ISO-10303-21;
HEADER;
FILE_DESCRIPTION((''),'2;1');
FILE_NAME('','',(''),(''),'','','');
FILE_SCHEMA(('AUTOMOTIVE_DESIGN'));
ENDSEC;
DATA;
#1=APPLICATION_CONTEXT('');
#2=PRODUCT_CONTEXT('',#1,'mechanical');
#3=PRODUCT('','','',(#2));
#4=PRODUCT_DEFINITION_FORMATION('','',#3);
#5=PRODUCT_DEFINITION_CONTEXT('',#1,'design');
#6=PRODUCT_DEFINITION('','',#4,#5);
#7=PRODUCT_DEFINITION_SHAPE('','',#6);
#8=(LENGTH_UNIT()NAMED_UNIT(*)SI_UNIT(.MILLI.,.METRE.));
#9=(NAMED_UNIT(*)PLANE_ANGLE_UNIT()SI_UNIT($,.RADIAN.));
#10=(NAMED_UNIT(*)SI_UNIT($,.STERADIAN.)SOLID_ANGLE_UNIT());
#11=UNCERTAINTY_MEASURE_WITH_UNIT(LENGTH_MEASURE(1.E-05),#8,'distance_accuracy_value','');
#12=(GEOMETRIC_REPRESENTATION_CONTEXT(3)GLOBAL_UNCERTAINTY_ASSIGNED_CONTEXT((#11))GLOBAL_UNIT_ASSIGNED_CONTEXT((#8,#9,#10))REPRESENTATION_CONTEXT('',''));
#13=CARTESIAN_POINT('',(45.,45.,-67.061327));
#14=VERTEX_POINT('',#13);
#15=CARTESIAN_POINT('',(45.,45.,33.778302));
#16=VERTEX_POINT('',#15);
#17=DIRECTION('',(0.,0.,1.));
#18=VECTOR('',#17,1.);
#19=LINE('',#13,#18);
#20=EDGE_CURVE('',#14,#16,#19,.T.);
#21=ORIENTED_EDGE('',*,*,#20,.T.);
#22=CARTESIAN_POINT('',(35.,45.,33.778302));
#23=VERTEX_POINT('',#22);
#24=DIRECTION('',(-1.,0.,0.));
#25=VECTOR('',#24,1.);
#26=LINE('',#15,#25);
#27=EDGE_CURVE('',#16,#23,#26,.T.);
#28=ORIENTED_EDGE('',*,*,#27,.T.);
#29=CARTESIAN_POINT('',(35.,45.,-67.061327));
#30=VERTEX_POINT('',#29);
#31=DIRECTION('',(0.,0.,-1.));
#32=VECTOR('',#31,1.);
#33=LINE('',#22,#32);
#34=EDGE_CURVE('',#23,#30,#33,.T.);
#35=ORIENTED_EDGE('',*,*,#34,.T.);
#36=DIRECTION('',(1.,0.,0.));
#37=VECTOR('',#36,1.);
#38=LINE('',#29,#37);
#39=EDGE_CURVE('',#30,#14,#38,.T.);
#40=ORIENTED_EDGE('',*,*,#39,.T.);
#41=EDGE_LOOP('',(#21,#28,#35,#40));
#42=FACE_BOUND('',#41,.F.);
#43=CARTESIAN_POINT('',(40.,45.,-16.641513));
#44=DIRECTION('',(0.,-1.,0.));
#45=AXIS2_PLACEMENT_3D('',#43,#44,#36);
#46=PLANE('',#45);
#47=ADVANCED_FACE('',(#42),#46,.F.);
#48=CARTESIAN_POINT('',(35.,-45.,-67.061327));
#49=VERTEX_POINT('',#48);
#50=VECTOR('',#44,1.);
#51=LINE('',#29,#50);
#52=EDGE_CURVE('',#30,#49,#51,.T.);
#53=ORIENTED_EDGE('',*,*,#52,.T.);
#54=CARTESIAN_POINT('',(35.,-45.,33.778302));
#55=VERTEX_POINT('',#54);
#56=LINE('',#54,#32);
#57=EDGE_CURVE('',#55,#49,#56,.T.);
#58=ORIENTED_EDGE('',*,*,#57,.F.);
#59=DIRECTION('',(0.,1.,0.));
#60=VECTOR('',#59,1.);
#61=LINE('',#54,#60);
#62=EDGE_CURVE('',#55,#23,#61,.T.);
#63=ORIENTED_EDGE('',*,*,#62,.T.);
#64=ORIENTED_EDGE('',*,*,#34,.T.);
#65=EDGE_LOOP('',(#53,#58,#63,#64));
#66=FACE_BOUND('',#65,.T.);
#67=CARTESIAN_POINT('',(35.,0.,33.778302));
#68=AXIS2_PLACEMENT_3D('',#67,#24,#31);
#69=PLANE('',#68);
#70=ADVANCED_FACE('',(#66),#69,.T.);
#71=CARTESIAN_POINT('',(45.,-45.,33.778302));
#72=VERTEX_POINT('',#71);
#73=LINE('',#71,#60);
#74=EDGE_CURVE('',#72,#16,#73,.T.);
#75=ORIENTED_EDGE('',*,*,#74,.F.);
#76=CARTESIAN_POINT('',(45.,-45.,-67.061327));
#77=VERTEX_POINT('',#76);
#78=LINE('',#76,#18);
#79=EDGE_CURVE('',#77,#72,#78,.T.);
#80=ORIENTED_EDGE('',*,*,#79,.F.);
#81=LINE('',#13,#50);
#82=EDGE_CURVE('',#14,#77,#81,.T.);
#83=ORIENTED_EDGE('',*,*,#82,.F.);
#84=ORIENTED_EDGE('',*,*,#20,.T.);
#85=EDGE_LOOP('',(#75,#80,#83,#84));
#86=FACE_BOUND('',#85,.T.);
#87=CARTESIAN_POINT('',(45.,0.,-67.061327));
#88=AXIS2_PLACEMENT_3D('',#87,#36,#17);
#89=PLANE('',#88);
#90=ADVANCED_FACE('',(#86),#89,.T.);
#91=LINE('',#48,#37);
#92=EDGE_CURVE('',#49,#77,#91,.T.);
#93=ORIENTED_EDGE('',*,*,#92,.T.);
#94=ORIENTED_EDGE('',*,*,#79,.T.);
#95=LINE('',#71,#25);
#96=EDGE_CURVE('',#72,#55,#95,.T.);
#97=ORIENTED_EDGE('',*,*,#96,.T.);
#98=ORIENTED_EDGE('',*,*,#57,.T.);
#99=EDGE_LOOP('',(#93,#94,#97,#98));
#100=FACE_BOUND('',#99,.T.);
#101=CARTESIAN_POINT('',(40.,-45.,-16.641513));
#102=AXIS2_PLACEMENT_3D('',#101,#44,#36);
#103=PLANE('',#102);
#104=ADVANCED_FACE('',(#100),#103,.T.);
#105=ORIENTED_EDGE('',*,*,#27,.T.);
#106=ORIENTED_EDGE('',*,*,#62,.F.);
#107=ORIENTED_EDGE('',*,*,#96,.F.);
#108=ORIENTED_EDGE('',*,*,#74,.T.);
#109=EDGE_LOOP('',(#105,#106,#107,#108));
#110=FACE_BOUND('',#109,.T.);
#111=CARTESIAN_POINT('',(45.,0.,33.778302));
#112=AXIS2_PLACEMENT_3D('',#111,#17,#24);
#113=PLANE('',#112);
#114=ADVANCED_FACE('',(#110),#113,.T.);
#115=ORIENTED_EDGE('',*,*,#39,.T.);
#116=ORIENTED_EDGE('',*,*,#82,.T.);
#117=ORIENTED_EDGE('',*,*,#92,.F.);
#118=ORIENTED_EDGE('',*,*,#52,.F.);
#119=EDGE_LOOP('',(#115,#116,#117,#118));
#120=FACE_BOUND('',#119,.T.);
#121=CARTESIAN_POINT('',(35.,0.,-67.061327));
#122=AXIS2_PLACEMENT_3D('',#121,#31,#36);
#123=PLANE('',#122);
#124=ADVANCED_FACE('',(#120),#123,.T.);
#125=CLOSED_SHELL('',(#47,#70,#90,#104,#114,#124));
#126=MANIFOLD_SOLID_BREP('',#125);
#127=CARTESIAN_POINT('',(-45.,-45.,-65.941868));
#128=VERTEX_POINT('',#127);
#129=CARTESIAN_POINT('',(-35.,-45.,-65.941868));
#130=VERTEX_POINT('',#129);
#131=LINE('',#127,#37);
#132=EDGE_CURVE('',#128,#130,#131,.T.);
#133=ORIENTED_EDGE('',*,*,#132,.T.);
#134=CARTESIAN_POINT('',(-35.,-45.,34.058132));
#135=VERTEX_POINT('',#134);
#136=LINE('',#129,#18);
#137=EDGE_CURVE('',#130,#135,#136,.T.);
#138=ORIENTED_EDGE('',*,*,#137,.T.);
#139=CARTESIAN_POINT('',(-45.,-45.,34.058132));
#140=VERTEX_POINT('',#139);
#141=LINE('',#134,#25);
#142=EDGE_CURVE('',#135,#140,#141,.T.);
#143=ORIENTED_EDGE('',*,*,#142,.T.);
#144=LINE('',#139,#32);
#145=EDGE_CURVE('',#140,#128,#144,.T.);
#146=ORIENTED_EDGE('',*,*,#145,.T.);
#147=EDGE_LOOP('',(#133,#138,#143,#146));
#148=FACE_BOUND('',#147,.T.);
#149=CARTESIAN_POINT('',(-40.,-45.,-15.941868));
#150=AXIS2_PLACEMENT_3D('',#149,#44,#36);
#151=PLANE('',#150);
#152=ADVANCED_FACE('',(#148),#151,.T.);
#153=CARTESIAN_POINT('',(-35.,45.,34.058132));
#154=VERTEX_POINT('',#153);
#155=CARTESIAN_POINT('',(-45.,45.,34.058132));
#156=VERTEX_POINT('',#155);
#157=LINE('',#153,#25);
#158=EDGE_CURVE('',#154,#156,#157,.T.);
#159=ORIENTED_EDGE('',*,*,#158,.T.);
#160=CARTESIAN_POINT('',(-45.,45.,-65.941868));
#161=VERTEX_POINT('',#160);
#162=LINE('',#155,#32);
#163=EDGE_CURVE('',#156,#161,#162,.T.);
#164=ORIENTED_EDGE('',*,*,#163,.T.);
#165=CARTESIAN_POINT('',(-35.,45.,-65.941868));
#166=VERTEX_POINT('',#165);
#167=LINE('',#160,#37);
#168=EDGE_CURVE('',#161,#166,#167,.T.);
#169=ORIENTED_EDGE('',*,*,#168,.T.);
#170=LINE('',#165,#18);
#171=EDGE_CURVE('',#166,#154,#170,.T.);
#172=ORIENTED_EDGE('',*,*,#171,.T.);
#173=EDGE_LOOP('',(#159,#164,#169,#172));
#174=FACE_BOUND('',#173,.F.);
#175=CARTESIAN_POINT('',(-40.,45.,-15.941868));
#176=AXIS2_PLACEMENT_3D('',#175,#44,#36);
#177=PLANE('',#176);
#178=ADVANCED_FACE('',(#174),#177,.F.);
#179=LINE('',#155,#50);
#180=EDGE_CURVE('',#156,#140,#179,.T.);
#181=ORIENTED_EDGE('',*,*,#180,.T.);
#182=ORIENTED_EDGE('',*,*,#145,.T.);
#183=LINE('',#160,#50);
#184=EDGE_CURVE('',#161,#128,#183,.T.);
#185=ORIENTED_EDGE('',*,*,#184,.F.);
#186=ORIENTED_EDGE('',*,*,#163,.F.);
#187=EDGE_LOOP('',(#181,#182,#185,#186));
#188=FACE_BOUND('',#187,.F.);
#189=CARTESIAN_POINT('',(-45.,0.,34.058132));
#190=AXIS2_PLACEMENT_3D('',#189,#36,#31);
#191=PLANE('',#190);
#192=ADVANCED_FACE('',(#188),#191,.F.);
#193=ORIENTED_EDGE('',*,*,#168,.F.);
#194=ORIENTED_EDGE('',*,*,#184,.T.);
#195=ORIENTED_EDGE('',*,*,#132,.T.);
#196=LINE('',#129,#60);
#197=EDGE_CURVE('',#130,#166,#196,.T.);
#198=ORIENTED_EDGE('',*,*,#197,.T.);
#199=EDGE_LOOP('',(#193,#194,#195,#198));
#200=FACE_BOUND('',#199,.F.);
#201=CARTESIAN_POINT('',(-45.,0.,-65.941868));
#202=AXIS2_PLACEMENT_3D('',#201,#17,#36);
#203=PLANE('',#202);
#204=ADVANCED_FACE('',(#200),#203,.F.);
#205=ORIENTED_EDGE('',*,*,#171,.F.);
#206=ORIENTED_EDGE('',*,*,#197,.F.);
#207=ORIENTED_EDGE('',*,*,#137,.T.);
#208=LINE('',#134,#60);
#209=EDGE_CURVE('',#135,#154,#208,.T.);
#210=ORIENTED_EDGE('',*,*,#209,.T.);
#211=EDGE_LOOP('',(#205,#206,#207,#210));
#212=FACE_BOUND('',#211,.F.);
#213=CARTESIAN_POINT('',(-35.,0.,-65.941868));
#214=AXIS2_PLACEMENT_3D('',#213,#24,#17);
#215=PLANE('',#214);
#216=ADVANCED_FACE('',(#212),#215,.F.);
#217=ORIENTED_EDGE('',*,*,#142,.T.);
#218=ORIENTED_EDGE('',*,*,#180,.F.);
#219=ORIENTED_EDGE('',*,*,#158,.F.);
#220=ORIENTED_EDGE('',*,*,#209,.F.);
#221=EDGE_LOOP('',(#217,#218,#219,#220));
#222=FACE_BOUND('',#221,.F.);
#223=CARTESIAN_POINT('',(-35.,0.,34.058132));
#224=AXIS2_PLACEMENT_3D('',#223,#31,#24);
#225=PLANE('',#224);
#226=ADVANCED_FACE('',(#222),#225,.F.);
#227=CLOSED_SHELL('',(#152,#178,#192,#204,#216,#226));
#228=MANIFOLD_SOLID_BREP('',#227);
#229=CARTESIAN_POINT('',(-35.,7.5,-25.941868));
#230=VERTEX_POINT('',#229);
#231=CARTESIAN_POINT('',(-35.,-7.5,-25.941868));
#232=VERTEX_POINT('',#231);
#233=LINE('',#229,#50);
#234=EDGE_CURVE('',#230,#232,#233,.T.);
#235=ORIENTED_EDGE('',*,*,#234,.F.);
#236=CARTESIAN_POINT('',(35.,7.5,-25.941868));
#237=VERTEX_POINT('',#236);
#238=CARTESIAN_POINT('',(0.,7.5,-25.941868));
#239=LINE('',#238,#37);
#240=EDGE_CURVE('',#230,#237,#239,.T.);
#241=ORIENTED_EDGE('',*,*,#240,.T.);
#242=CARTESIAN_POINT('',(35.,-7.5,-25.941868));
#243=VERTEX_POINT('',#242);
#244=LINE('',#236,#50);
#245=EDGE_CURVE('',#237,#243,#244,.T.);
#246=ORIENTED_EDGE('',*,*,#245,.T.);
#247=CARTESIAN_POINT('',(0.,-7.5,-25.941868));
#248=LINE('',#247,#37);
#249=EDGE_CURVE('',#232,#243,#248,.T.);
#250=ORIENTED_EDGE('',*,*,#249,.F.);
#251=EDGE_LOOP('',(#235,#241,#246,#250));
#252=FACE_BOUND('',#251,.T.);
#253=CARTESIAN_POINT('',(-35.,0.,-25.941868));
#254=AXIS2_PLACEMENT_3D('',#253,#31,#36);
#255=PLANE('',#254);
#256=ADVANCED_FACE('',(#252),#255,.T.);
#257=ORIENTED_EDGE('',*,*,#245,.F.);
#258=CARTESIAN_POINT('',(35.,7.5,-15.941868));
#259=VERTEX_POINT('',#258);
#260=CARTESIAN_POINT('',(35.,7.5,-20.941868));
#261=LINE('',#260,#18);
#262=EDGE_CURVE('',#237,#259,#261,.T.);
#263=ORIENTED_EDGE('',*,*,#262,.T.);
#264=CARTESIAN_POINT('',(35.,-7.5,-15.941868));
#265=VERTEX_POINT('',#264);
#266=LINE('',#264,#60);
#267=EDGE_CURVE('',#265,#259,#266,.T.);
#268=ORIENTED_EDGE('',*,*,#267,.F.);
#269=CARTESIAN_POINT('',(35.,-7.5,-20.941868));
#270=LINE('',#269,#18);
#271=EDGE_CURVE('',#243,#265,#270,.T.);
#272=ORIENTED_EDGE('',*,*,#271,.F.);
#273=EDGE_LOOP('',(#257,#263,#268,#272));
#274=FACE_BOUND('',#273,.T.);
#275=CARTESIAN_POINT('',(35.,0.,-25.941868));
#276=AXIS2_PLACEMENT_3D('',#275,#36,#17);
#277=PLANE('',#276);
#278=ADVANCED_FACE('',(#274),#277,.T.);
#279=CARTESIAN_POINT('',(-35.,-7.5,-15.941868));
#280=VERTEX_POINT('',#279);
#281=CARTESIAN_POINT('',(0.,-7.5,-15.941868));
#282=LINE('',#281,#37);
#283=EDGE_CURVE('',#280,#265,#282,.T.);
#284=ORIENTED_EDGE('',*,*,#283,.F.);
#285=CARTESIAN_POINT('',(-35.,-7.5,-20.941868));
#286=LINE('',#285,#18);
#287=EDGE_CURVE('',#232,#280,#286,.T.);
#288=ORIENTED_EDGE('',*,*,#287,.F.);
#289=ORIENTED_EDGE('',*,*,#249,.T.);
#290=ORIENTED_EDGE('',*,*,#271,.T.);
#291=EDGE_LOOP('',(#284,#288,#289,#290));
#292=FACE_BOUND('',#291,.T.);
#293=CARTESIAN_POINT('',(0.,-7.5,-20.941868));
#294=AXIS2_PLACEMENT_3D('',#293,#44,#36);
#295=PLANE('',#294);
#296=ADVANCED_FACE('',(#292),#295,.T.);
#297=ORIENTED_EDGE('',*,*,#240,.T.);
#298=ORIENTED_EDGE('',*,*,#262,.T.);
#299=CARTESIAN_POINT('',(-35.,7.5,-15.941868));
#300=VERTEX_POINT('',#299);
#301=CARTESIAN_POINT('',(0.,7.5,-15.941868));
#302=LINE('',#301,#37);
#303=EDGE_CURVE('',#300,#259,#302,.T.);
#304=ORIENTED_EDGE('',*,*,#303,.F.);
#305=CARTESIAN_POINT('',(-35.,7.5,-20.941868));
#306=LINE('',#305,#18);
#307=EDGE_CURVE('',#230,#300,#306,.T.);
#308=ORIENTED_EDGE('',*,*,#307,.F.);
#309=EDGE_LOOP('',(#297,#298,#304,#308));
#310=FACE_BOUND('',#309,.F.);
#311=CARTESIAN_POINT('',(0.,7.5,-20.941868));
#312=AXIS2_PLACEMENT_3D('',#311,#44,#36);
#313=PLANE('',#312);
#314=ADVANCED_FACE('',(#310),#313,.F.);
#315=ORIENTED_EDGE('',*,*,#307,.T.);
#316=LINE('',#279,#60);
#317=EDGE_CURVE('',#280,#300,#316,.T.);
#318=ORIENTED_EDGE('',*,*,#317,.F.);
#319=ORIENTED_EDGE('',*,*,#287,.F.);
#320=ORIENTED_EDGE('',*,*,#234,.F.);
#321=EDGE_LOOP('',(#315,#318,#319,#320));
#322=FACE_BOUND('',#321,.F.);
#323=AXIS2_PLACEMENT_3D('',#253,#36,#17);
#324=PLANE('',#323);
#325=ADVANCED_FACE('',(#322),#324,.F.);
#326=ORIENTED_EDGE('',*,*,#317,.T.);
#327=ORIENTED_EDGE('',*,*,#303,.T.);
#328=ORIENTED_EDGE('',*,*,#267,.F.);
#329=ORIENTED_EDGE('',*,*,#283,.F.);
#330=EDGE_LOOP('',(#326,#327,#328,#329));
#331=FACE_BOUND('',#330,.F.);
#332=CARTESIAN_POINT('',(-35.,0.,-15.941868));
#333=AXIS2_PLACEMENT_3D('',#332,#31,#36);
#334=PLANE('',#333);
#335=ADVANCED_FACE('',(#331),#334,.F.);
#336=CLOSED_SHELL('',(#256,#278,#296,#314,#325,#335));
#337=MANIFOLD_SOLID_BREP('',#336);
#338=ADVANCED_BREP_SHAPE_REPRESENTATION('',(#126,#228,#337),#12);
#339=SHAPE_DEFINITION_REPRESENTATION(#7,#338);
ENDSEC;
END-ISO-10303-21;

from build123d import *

# Parameters (mm, degrees)
F1_DEPTH = 45
F0_W     = 70
F0_H     = 10
F2_DEPTH = 7.5


with BuildPart() as f1:
    # F0 (on Front) → F1 (new body, symmetric)
    with BuildSketch(Plane.XZ):
        Polygon((-35, 34.058132), (-45, 34.058132), (-45, -65.941868), (-35, -65.941868), (-35, -25.941868), (-35, -15.941868), align=None)
        Polygon((35, 33.778302), (35, -15.941868), (35, -25.941868), (35, -67.061327), (45, -67.061327), (45, 33.778302), align=None)
    extrude(amount=F1_DEPTH, both=True)


with BuildPart() as f2:
    # F0 (on Front) → F2 (new body, symmetric)
    with BuildSketch(Plane.XZ):
        with Locations((0, -20.941868)):
            Rectangle(F0_W, F0_H)
    extrude(amount=F2_DEPTH, both=True)


solid = Compound([f1.part, f2.part])
